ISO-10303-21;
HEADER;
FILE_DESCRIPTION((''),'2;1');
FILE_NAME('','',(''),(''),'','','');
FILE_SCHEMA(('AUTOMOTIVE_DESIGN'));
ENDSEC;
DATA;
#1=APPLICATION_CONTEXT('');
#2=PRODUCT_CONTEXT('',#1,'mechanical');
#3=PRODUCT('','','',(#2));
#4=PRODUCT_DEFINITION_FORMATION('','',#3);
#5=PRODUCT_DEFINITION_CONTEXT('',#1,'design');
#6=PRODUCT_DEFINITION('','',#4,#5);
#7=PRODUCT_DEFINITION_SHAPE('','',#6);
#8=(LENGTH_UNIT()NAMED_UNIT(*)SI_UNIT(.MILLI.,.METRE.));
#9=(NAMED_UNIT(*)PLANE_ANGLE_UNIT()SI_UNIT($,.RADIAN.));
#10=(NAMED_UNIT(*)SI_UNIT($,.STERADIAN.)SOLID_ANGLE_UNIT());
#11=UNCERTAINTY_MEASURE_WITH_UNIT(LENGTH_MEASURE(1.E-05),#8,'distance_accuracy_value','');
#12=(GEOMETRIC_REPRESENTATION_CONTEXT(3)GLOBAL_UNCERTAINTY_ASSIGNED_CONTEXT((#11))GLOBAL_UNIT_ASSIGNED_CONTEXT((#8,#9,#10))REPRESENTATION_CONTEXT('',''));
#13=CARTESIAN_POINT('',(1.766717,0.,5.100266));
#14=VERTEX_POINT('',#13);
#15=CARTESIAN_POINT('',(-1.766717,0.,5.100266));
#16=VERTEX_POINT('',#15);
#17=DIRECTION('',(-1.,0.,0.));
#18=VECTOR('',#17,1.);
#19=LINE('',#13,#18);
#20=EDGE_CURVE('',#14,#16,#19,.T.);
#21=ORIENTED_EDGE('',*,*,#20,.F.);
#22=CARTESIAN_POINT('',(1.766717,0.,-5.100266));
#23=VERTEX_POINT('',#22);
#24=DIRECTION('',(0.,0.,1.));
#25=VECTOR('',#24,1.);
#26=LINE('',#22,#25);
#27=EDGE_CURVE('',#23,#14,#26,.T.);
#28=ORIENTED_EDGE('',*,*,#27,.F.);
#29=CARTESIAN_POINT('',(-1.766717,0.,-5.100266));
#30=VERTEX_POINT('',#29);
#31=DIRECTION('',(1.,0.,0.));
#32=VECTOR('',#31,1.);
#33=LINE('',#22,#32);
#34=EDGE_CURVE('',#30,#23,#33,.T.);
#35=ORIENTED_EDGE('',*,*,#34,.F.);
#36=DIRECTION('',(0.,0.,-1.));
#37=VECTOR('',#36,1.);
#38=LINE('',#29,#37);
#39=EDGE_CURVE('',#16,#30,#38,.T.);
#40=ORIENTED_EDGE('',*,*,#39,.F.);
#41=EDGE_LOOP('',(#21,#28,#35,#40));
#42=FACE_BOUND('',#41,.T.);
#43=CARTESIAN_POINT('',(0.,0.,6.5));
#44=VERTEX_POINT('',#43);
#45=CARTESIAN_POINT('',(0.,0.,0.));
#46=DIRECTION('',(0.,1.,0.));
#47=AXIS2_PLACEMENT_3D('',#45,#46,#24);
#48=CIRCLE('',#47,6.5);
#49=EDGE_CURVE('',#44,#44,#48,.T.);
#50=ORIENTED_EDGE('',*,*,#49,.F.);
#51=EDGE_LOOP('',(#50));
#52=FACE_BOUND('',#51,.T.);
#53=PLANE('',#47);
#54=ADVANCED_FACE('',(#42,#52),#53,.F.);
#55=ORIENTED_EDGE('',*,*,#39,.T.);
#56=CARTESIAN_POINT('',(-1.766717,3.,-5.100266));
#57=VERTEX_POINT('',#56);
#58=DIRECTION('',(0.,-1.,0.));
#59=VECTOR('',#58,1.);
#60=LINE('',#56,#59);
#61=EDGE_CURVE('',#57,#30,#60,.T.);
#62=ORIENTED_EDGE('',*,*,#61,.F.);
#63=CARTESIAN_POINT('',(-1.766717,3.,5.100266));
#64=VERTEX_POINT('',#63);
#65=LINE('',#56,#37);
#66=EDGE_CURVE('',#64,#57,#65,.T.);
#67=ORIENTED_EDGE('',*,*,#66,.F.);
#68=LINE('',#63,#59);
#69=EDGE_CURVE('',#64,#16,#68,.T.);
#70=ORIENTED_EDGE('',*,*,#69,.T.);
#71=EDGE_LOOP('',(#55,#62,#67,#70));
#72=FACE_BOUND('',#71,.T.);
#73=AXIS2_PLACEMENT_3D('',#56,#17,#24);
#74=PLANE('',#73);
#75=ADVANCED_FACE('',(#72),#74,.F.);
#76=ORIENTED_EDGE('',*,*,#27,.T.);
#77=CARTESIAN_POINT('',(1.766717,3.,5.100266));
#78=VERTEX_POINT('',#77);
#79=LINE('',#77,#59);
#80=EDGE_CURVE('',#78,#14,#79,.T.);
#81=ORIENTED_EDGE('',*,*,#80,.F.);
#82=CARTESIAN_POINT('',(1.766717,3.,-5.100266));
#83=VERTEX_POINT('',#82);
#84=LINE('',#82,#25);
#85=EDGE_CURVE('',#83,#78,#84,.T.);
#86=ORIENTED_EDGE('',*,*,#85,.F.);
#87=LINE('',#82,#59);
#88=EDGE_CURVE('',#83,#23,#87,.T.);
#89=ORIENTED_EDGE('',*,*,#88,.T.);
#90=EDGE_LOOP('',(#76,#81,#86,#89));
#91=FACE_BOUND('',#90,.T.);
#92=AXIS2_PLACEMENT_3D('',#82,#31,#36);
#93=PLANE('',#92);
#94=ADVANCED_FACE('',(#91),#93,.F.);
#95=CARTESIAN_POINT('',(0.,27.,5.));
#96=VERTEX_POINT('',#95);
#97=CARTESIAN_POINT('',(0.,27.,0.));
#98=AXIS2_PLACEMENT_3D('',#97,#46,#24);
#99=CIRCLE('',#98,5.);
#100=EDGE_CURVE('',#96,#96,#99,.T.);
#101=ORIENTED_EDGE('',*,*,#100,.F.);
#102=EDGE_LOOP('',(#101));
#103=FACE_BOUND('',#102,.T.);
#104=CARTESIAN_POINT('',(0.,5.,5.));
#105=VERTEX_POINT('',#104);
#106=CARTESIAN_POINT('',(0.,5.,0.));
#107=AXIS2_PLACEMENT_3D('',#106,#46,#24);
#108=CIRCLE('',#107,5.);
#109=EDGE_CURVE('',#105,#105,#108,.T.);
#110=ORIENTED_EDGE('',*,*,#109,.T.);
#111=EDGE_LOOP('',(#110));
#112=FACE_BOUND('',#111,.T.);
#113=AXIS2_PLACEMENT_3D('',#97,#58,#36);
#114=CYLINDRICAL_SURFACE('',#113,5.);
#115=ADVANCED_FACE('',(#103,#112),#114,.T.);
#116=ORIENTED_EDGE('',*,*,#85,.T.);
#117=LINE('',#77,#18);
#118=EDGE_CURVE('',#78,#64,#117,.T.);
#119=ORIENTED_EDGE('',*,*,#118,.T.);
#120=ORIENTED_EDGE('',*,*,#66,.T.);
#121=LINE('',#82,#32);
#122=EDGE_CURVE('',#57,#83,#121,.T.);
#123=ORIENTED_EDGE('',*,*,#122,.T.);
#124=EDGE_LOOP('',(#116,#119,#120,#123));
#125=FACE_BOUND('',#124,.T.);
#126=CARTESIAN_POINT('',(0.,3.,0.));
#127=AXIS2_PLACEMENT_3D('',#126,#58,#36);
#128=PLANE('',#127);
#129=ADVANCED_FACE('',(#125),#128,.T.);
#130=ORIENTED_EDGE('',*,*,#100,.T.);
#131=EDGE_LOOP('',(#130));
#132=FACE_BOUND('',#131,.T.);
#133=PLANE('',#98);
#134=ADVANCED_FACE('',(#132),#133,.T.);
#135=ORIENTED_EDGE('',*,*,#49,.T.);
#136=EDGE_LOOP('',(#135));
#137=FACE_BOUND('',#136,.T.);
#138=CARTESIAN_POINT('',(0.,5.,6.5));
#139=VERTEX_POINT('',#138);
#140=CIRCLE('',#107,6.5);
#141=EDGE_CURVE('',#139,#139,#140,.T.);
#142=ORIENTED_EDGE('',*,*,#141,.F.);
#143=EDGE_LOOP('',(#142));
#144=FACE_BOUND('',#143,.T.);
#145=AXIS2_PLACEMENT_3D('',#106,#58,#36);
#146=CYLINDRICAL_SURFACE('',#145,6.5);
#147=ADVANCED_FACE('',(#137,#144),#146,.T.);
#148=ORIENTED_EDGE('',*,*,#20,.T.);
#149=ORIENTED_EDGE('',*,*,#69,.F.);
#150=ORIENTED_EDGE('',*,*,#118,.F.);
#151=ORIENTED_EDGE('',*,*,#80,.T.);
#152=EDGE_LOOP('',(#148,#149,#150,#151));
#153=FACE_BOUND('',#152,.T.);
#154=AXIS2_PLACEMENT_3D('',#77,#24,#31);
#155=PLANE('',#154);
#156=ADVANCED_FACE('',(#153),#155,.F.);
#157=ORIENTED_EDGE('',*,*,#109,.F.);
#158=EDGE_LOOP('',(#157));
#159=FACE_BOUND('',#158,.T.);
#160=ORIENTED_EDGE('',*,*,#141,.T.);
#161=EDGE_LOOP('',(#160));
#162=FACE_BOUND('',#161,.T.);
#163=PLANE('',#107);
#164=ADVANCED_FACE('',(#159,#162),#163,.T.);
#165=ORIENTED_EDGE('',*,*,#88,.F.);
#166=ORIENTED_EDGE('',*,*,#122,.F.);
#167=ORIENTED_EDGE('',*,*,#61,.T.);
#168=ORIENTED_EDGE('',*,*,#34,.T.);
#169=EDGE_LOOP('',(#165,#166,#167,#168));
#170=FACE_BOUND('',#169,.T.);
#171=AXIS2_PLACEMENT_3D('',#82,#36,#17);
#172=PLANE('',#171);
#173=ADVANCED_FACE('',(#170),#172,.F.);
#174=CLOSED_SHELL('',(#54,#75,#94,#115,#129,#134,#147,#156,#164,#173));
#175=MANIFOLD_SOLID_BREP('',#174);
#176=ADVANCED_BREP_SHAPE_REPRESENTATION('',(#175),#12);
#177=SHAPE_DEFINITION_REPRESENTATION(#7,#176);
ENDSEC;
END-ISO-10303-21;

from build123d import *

# Parameters (mm, degrees)
SKETCH_1_R          = 6.5
EXTRUDE_1_DEPTH     = 5
SKETCH_2_R          = 5
EXTRUDE_2_DEPTH     = 22
SKETCH_3_W          = 3.533433272
SKETCH_3_H          = 10.200531816
CUT_EXTRUDE_1_DEPTH = 3


with BuildPart() as part:
    # 草图1 → 凸台-拉伸1 (new body)
    with BuildSketch(Plane(origin=(0, 0, 0), x_dir=(1, 0, 0), z_dir=(0, 1, 0))):
        with Locations(Location((0, 0, 0), (0, 0, 270))):
            Circle(SKETCH_1_R)
    extrude(amount=EXTRUDE_1_DEPTH)

    # 草图2 → 凸台-拉伸2 (add)
    with BuildSketch(Plane(origin=(0, 5, 0), x_dir=(1, 0, 0), z_dir=(0, 1, 0))):
        with Locations(Location((0, 0, 0), (0, 0, 270))):
            Circle(SKETCH_2_R)
    extrude(amount=EXTRUDE_2_DEPTH)

    # 草图3 → 切除-拉伸1 (cut)
    with BuildSketch(Plane(origin=(0, 0, 0), x_dir=(-1, 0, 0), z_dir=(0, -1, 0))):
        Rectangle(SKETCH_3_W, SKETCH_3_H)
    extrude(amount=-CUT_EXTRUDE_1_DEPTH, mode=Mode.SUBTRACT)


solid = part.part
